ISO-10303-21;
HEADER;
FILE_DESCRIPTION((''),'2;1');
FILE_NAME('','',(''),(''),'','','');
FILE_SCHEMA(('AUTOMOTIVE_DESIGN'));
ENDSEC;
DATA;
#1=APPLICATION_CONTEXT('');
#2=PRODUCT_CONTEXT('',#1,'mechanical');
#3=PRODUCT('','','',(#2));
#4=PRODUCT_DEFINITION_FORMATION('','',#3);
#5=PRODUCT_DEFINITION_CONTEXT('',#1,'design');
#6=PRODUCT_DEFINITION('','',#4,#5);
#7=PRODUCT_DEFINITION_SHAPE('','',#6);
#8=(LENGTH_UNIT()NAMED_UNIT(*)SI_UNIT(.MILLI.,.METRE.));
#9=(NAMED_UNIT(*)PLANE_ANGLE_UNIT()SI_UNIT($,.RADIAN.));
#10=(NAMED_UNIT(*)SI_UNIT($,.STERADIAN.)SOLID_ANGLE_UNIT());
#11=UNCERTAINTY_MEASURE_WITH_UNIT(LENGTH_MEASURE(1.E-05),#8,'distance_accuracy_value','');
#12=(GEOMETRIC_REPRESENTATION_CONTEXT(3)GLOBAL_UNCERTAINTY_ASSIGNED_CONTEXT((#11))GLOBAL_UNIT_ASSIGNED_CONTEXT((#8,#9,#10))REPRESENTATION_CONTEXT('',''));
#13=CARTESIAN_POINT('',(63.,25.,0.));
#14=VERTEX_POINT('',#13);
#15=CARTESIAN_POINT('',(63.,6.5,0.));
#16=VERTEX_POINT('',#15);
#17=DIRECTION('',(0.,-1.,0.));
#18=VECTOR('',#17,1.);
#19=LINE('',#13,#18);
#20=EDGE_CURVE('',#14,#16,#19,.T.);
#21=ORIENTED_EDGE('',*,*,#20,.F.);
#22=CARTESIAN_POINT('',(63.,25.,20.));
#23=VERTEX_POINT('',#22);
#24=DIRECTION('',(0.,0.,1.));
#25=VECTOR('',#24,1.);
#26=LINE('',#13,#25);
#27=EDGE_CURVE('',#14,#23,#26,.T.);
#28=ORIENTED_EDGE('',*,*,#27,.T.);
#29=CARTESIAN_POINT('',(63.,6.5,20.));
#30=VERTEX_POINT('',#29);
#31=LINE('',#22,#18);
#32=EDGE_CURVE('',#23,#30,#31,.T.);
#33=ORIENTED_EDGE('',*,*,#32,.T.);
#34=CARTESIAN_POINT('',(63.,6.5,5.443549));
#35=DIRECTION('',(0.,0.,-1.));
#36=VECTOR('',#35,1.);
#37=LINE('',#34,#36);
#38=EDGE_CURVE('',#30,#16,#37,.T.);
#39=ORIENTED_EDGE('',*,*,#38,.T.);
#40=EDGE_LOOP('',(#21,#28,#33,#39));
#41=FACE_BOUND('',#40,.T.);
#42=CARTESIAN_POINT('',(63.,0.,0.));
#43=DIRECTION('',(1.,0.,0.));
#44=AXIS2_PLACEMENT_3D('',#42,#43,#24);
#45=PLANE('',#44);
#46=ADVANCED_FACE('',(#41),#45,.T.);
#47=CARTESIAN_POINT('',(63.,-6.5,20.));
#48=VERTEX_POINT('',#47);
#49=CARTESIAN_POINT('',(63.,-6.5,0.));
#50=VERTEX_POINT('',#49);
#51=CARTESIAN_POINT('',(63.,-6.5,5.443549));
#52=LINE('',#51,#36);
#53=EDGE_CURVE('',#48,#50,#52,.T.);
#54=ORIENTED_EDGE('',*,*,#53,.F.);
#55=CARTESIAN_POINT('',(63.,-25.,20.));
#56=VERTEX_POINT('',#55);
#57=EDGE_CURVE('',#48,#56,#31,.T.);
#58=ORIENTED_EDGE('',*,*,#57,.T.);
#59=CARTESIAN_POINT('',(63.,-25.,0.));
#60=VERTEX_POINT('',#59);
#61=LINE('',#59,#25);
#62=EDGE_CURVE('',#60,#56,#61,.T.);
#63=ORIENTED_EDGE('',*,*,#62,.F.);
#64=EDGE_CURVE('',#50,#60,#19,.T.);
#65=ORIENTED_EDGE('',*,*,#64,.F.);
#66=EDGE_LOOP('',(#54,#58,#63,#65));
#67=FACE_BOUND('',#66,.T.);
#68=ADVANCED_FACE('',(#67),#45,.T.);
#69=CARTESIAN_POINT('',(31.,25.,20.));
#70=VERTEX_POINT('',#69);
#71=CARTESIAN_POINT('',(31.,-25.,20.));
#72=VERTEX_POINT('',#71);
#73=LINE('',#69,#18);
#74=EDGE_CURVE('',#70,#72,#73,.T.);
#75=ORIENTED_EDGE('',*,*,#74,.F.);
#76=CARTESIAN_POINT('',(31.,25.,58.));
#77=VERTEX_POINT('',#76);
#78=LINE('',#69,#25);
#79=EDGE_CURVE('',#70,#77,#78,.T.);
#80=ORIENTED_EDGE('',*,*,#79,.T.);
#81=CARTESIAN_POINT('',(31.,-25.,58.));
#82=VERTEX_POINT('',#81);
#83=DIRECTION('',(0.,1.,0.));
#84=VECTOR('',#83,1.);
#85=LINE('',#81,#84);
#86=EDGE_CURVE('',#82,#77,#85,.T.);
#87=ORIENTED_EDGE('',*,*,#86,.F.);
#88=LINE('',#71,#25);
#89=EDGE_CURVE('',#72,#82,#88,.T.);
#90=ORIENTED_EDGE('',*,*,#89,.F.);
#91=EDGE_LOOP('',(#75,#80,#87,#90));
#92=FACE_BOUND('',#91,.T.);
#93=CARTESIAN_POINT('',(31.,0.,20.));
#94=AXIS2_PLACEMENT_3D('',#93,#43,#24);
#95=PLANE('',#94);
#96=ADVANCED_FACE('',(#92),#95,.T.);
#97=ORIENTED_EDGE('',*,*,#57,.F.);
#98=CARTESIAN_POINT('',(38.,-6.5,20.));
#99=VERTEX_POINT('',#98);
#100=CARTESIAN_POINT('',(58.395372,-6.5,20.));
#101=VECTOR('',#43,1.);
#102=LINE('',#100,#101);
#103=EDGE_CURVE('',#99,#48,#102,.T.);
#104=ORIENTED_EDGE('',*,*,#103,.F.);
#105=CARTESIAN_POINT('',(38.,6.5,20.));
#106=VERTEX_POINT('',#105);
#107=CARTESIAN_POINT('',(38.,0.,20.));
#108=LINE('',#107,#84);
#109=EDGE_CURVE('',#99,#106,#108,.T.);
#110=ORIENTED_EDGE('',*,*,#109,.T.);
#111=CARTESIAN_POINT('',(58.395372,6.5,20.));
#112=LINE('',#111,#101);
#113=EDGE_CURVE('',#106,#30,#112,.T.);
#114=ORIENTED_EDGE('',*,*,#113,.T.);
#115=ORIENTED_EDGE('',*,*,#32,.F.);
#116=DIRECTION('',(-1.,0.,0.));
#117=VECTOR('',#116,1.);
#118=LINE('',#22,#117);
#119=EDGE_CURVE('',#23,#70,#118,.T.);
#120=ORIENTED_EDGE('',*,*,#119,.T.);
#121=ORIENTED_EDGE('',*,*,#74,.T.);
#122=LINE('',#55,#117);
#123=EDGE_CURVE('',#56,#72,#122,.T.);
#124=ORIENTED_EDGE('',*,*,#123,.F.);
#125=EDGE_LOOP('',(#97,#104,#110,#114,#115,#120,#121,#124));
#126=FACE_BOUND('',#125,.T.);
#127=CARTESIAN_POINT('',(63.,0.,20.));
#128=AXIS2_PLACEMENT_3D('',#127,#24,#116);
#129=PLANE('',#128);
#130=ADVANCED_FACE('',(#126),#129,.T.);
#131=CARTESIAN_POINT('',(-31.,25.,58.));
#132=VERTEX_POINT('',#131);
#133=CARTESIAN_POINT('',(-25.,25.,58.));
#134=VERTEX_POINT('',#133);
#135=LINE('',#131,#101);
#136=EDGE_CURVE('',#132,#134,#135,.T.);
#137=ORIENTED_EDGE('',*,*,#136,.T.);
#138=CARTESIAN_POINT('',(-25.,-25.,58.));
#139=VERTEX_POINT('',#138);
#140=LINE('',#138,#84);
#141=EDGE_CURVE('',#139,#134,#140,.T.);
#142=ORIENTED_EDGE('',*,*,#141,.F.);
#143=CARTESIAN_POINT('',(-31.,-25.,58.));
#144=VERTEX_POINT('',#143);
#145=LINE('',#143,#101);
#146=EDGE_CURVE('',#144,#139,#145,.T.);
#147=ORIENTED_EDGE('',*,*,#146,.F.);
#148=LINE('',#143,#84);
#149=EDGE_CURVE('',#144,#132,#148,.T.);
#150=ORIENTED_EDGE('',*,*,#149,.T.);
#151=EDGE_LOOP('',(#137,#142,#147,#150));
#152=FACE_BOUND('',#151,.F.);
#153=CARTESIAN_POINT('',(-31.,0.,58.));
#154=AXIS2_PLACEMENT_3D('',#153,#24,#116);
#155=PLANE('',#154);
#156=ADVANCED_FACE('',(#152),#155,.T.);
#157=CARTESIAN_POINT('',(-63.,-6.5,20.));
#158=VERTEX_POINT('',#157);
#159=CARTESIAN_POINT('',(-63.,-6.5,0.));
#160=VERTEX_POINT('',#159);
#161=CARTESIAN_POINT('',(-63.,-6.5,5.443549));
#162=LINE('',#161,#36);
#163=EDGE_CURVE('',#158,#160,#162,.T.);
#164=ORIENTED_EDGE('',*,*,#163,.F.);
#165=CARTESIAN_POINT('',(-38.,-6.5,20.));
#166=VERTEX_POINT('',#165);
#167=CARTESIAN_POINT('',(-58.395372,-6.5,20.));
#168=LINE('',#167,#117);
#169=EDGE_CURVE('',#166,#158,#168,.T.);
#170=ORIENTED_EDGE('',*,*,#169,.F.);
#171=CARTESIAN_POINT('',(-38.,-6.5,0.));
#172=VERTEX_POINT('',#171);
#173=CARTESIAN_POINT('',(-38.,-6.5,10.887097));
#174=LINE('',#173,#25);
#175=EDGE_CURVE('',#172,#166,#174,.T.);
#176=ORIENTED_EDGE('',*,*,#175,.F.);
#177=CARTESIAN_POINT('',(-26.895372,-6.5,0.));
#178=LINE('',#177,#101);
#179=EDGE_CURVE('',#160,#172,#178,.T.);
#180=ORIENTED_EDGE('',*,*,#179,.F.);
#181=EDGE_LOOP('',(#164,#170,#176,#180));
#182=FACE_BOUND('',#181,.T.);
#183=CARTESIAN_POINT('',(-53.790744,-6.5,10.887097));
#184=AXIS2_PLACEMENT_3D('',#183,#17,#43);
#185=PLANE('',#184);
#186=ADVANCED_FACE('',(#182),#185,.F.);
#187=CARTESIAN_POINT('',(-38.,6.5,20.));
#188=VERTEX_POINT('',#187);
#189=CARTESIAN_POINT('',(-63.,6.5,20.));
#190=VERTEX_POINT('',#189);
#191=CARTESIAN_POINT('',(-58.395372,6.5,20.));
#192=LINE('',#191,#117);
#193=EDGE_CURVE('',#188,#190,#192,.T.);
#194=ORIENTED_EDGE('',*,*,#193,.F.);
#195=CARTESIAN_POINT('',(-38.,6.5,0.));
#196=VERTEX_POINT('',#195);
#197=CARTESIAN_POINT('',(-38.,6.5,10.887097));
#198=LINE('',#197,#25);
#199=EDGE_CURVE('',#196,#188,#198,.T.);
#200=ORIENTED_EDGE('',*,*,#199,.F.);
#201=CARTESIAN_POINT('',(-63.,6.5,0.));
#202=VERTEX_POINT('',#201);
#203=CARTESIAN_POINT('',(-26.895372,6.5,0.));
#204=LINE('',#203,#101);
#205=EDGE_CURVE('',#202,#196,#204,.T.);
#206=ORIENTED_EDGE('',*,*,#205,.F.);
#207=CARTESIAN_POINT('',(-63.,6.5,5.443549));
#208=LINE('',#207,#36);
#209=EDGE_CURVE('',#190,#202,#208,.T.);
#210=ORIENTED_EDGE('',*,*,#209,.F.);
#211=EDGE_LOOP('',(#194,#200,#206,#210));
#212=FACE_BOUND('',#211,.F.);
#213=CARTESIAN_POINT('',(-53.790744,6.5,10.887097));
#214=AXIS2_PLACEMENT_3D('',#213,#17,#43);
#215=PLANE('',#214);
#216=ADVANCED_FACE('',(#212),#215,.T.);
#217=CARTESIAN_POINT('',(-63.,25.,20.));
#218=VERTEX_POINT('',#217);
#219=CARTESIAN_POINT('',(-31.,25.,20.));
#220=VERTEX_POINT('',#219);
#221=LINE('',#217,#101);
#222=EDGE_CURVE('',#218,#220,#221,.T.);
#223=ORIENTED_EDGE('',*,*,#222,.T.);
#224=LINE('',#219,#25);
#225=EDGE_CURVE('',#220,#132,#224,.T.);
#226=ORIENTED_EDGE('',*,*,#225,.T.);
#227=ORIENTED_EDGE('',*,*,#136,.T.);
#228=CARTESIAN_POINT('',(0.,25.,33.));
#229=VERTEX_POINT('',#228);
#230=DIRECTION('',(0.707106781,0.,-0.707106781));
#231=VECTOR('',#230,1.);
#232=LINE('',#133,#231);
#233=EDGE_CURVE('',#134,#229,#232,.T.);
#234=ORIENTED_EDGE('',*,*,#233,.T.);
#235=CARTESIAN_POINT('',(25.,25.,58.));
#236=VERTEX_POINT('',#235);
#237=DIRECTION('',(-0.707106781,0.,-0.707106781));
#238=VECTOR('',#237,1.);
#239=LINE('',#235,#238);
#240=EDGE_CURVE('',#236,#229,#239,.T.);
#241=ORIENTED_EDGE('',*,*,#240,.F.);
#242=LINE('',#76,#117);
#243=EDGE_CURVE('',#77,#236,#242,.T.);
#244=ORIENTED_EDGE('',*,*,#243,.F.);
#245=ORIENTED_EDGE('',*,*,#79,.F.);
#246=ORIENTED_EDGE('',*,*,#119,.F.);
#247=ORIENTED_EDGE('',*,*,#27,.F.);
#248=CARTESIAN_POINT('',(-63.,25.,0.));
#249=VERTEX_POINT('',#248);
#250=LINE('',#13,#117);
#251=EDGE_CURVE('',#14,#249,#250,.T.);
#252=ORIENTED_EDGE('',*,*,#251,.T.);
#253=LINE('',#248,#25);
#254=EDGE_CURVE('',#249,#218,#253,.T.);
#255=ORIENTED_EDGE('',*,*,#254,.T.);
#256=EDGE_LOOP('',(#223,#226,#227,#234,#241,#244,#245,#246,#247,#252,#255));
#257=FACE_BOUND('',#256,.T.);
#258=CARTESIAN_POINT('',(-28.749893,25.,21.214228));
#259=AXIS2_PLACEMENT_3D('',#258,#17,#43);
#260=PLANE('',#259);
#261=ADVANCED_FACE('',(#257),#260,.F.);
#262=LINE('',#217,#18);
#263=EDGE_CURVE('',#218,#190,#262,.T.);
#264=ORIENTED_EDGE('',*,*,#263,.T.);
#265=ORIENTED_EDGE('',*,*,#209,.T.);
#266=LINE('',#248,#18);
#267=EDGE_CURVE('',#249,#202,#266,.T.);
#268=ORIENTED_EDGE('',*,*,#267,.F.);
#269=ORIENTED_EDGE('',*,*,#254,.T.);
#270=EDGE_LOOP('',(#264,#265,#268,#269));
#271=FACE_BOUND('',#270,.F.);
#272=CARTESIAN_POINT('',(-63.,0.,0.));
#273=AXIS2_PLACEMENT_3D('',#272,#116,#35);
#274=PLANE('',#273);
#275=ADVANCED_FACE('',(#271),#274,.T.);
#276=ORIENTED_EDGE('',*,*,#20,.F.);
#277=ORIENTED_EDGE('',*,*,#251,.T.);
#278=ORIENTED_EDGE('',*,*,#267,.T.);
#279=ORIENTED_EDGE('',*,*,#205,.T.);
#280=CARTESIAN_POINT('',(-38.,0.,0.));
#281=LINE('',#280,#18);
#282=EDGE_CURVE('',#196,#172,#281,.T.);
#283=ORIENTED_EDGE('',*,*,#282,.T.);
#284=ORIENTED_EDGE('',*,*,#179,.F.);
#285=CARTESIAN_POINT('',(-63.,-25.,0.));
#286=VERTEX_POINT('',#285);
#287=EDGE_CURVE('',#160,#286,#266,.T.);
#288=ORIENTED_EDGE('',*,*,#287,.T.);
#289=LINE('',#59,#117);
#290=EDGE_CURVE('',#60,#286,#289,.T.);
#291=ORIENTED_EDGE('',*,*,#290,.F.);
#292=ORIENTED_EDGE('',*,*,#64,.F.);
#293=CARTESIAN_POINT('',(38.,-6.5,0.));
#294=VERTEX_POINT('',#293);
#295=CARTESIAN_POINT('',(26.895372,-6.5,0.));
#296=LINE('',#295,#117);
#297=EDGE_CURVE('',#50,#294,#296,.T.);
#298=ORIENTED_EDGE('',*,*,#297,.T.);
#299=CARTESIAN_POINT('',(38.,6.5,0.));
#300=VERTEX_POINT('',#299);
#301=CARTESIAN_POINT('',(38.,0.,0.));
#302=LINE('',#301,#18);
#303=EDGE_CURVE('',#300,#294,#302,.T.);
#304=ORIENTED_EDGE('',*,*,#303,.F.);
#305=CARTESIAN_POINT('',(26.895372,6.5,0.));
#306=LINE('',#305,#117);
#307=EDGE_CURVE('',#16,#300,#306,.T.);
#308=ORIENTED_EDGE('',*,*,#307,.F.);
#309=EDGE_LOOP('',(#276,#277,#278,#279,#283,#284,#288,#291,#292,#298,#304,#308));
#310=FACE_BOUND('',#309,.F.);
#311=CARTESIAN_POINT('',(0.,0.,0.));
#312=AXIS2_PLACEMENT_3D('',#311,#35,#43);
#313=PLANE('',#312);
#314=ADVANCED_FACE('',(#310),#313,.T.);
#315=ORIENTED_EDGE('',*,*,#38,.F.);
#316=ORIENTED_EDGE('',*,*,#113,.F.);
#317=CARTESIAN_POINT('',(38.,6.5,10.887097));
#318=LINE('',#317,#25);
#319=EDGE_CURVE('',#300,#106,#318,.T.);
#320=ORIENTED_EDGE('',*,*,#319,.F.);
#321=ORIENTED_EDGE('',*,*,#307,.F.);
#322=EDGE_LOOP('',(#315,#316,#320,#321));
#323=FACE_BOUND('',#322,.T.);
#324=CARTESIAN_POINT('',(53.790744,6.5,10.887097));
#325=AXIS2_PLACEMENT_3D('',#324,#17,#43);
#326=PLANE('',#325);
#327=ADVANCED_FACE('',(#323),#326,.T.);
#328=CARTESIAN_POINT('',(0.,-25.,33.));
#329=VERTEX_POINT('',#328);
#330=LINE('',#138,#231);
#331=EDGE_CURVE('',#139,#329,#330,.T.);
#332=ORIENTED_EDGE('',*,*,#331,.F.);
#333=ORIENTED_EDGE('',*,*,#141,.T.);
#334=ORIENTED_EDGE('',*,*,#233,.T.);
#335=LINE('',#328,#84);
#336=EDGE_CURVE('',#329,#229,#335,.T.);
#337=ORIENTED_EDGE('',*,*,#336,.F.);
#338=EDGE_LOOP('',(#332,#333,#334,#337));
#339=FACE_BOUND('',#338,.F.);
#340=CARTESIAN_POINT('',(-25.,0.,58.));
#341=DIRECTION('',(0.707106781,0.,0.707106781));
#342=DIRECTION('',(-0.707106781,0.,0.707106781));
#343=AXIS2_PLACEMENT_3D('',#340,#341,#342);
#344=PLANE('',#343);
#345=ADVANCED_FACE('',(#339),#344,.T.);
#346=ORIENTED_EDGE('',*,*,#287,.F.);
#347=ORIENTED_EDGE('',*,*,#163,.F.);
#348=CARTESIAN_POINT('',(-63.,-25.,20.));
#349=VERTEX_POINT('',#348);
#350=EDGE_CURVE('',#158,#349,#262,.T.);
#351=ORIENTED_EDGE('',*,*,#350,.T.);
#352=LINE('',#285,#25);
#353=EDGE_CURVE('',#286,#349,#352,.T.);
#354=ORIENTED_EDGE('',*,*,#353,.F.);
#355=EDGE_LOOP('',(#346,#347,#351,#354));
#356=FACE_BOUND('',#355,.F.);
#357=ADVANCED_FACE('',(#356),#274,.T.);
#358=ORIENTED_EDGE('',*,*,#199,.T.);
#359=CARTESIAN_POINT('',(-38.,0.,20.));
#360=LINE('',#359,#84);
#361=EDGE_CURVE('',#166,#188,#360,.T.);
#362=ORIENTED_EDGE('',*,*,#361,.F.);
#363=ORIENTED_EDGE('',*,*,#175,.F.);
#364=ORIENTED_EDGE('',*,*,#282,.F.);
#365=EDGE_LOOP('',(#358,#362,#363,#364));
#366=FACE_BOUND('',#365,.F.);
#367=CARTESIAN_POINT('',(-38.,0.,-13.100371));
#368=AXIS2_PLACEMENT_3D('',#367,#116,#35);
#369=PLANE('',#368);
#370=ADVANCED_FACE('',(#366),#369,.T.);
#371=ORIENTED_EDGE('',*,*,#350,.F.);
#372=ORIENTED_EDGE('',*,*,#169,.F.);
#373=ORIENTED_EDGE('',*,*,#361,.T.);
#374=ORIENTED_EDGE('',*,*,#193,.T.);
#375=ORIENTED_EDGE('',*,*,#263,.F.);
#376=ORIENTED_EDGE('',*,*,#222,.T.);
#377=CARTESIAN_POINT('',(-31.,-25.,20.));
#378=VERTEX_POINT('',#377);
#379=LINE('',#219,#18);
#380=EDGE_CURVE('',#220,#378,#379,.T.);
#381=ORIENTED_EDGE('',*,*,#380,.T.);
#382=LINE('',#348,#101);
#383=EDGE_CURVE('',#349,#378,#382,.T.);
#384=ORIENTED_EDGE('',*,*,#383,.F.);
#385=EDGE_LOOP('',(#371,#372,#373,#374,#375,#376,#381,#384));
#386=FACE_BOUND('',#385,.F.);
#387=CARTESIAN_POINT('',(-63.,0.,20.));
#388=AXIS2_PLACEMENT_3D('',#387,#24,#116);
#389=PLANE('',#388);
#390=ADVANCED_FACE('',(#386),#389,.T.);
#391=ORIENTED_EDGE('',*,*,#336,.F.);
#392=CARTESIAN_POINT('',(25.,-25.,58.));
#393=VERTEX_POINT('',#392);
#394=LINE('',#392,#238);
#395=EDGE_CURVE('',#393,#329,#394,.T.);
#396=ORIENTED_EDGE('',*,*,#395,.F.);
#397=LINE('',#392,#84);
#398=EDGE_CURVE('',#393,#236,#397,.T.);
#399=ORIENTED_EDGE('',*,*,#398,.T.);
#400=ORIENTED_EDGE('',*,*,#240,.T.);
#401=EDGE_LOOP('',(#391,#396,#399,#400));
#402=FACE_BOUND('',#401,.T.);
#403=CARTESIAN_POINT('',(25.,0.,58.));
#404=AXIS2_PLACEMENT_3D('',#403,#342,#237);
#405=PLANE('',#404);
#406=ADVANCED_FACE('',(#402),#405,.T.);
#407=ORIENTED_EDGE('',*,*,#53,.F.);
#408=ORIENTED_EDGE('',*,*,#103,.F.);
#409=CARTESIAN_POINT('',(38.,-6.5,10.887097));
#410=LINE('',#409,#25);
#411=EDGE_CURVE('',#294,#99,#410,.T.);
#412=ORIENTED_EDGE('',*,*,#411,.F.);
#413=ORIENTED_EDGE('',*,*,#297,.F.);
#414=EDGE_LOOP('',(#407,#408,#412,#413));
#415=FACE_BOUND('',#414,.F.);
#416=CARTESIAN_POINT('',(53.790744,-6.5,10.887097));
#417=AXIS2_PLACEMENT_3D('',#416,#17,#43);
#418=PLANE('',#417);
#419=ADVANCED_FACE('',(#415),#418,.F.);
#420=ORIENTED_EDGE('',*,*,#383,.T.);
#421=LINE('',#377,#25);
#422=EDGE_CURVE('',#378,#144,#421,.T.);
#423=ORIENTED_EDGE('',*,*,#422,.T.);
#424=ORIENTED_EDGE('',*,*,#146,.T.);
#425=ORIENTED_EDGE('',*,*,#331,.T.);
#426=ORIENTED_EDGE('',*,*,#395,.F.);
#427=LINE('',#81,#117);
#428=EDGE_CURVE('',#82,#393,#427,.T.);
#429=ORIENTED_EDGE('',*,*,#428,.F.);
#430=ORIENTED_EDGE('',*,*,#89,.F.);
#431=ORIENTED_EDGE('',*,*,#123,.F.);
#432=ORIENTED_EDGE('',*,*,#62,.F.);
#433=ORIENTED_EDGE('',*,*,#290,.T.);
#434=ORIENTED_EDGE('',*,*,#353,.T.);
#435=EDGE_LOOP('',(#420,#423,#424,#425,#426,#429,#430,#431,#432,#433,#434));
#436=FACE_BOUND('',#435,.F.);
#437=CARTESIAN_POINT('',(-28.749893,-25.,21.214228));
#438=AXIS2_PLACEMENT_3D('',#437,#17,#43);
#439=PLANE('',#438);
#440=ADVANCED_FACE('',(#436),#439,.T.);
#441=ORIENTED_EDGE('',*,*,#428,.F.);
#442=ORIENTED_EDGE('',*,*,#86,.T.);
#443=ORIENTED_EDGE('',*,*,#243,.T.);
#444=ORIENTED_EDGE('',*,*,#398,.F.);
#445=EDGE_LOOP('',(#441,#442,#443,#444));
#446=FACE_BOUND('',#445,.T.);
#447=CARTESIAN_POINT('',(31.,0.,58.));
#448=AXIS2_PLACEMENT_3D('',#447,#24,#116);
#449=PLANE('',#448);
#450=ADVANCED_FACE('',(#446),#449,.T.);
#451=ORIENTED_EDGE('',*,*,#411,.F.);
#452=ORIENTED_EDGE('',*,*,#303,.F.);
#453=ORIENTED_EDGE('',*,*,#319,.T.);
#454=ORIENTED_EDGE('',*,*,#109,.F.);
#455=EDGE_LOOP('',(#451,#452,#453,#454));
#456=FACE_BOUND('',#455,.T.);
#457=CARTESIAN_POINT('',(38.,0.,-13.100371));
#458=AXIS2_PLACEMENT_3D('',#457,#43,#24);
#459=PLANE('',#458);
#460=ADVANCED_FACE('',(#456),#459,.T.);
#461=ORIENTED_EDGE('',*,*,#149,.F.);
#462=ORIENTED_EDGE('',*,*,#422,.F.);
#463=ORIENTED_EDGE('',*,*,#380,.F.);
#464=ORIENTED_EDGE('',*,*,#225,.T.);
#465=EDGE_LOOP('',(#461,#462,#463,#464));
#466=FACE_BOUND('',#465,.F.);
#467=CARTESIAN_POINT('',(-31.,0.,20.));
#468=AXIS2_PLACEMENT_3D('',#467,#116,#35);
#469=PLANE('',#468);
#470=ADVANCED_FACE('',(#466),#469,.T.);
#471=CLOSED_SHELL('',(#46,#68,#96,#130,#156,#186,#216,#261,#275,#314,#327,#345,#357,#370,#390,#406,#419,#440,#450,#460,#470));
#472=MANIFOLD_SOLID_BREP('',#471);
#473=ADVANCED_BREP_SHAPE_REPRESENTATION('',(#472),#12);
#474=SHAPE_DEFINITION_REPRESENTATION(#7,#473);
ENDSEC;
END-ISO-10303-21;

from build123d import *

# Parameters (mm, degrees)
F1_DEPTH = 25
F2_W     = 31.581489
F2_H     = 47.974935
F3_DEPTH = 6.5


with BuildPart() as f1:
    # F0 (on Front) → F1 (new body, symmetric)
    with BuildSketch(Plane.XZ):
        Polygon((0, 33), (0, 0), (63, 0), (63, 20), (31, 20), (31, 58), (25, 58), align=None)
    extrude(amount=F1_DEPTH, both=True)

    # F2 (on Front) → F3 (cut, symmetric)
    with BuildSketch(Plane.XZ):
        with Locations((53.790744, 10.887097)):
            Rectangle(F2_W, F2_H)
    extrude(amount=F3_DEPTH, both=True, mode=Mode.SUBTRACT)

    # F4: F1 across plane


with BuildPart() as f1_1:
    add(f1.part)
    add(f1.part.mirror(Plane.YZ))


solid = f1_1.part
